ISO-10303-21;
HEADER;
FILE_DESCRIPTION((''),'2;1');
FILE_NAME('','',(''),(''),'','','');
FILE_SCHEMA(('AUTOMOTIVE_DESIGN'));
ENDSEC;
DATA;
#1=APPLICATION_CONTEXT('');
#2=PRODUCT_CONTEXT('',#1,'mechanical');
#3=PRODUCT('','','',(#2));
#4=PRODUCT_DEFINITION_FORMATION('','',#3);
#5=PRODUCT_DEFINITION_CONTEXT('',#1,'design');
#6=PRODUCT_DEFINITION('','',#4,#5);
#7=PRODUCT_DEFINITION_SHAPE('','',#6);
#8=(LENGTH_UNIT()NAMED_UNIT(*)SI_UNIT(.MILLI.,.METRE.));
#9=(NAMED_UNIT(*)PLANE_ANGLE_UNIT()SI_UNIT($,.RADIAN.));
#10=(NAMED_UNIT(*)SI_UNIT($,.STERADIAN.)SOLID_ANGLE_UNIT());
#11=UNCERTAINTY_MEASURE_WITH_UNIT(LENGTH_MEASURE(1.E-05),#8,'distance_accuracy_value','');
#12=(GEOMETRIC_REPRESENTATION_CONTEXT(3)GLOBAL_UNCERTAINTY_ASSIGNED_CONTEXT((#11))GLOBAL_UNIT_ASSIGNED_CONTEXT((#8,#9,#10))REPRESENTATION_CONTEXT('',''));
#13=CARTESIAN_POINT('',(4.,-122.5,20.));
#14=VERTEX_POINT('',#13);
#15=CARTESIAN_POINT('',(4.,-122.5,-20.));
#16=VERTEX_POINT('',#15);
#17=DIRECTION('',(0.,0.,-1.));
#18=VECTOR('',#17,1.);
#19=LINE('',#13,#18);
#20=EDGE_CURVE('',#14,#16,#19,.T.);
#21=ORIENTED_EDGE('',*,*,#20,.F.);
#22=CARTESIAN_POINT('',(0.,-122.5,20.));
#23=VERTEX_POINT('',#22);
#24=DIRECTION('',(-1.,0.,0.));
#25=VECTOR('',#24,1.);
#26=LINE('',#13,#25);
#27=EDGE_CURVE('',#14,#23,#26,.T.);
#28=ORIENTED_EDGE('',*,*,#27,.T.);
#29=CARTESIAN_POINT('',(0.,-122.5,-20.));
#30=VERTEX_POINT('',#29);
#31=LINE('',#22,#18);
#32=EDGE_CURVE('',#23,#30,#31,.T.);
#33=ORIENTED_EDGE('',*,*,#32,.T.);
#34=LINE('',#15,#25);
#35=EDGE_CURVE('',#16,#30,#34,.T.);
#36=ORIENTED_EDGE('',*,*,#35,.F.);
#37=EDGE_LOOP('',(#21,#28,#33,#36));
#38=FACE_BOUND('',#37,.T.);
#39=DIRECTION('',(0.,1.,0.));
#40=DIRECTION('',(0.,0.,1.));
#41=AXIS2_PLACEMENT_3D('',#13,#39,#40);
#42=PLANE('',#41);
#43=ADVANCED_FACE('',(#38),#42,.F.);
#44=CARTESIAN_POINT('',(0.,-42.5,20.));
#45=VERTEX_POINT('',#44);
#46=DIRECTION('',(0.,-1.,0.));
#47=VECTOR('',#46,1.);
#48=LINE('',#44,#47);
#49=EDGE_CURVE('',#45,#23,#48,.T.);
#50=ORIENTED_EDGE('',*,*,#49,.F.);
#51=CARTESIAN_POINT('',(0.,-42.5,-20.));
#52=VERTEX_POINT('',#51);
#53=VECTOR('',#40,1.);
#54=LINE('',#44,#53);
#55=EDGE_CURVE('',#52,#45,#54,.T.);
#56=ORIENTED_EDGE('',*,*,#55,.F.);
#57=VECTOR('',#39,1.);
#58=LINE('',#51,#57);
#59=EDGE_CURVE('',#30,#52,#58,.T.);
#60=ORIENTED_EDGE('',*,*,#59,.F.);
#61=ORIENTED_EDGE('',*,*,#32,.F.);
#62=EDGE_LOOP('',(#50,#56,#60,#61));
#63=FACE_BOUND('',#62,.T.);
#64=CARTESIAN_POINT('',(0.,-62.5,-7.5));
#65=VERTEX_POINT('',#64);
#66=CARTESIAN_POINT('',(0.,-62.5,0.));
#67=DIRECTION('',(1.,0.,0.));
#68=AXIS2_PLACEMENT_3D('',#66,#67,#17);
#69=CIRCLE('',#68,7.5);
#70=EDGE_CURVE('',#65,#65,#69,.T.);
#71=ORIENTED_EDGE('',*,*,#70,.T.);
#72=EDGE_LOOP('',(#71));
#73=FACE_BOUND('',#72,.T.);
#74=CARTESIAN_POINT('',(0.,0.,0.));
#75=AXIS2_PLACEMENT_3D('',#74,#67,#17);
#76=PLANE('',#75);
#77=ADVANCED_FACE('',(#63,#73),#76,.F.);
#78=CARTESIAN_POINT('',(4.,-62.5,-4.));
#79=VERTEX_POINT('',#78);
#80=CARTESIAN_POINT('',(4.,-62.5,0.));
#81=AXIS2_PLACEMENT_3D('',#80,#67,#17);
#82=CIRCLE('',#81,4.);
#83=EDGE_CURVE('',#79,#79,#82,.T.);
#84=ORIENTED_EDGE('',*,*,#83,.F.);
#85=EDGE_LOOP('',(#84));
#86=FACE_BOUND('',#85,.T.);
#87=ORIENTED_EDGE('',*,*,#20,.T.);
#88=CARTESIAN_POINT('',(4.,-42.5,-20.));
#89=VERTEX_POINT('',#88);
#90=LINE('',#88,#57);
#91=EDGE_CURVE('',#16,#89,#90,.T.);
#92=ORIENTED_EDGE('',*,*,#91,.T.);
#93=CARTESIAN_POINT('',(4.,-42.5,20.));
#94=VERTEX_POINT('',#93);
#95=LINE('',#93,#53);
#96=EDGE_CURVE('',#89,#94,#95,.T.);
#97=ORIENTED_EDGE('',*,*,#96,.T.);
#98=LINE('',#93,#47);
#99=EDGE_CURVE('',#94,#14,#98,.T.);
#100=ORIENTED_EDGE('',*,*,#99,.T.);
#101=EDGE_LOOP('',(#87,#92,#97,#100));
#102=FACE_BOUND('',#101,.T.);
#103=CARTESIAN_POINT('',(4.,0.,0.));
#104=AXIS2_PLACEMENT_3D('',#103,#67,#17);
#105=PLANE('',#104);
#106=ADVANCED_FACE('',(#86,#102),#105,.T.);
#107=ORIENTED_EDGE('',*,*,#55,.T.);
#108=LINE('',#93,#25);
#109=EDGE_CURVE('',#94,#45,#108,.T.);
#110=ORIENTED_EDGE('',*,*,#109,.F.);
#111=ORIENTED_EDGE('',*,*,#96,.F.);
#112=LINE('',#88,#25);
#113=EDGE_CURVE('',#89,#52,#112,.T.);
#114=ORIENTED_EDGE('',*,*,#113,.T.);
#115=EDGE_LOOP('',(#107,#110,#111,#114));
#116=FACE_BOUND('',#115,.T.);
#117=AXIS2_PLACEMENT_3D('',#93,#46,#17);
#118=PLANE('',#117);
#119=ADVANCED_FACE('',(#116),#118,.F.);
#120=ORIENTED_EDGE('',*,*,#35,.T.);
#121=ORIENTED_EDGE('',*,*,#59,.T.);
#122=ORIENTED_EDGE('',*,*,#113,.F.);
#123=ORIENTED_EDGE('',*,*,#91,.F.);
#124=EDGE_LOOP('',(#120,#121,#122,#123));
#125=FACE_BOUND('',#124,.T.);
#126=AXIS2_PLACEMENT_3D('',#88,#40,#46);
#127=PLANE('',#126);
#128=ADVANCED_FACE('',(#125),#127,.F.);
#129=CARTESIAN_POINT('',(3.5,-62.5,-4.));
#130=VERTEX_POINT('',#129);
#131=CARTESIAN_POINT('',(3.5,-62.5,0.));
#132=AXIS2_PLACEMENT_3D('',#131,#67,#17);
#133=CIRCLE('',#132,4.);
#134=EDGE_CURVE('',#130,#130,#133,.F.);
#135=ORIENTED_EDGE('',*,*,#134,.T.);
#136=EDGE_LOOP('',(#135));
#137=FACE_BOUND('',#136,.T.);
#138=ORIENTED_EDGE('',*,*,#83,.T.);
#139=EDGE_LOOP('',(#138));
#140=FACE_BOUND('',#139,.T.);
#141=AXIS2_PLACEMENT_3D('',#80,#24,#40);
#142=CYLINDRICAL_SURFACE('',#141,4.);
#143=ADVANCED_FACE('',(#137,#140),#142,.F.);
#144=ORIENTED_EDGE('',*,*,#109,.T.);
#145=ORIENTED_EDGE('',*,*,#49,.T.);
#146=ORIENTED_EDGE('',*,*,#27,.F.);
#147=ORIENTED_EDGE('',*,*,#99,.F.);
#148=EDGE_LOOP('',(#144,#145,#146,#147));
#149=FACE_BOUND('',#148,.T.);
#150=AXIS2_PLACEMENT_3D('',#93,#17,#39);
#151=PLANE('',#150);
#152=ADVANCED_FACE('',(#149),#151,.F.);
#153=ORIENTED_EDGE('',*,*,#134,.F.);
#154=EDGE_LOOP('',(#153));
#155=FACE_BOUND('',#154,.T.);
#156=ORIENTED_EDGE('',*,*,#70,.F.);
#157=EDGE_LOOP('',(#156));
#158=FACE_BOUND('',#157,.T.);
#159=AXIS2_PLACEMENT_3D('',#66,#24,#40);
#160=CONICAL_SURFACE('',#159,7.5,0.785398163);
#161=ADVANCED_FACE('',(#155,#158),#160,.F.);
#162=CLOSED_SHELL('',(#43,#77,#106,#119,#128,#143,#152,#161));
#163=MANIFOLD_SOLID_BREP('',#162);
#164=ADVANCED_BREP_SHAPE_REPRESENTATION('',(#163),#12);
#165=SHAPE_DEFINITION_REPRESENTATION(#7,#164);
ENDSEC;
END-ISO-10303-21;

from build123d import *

# Parameters (mm, degrees)
SKETCH1_W           = 40
SKETCH1_H           = 80
SKETCH1_R           = 4
BOSS_EXTRUDE1_DEPTH = 4
CHAMFER1_SIZE       = 3.5


with BuildPart() as part:
    # Sketch1 → Boss-Extrude1 (new body)
    with BuildSketch(Plane(origin=(0, 0, 0), x_dir=(0, 0, -1), z_dir=(1, 0, 0))):
        with Locations((0, -82.5)):
            Rectangle(SKETCH1_W, SKETCH1_H)
        with Locations((0, -62.5)):
            Circle(SKETCH1_R, mode=Mode.SUBTRACT)
    extrude(amount=BOSS_EXTRUDE1_DEPTH)

    # Chamfer1
    chamfer1_edges = [part.edges().sort_by_distance(p)[0] for p in [
        (0, -62.5, 4),
    ]]
    chamfer(chamfer1_edges, length=CHAMFER1_SIZE)


solid = part.part
